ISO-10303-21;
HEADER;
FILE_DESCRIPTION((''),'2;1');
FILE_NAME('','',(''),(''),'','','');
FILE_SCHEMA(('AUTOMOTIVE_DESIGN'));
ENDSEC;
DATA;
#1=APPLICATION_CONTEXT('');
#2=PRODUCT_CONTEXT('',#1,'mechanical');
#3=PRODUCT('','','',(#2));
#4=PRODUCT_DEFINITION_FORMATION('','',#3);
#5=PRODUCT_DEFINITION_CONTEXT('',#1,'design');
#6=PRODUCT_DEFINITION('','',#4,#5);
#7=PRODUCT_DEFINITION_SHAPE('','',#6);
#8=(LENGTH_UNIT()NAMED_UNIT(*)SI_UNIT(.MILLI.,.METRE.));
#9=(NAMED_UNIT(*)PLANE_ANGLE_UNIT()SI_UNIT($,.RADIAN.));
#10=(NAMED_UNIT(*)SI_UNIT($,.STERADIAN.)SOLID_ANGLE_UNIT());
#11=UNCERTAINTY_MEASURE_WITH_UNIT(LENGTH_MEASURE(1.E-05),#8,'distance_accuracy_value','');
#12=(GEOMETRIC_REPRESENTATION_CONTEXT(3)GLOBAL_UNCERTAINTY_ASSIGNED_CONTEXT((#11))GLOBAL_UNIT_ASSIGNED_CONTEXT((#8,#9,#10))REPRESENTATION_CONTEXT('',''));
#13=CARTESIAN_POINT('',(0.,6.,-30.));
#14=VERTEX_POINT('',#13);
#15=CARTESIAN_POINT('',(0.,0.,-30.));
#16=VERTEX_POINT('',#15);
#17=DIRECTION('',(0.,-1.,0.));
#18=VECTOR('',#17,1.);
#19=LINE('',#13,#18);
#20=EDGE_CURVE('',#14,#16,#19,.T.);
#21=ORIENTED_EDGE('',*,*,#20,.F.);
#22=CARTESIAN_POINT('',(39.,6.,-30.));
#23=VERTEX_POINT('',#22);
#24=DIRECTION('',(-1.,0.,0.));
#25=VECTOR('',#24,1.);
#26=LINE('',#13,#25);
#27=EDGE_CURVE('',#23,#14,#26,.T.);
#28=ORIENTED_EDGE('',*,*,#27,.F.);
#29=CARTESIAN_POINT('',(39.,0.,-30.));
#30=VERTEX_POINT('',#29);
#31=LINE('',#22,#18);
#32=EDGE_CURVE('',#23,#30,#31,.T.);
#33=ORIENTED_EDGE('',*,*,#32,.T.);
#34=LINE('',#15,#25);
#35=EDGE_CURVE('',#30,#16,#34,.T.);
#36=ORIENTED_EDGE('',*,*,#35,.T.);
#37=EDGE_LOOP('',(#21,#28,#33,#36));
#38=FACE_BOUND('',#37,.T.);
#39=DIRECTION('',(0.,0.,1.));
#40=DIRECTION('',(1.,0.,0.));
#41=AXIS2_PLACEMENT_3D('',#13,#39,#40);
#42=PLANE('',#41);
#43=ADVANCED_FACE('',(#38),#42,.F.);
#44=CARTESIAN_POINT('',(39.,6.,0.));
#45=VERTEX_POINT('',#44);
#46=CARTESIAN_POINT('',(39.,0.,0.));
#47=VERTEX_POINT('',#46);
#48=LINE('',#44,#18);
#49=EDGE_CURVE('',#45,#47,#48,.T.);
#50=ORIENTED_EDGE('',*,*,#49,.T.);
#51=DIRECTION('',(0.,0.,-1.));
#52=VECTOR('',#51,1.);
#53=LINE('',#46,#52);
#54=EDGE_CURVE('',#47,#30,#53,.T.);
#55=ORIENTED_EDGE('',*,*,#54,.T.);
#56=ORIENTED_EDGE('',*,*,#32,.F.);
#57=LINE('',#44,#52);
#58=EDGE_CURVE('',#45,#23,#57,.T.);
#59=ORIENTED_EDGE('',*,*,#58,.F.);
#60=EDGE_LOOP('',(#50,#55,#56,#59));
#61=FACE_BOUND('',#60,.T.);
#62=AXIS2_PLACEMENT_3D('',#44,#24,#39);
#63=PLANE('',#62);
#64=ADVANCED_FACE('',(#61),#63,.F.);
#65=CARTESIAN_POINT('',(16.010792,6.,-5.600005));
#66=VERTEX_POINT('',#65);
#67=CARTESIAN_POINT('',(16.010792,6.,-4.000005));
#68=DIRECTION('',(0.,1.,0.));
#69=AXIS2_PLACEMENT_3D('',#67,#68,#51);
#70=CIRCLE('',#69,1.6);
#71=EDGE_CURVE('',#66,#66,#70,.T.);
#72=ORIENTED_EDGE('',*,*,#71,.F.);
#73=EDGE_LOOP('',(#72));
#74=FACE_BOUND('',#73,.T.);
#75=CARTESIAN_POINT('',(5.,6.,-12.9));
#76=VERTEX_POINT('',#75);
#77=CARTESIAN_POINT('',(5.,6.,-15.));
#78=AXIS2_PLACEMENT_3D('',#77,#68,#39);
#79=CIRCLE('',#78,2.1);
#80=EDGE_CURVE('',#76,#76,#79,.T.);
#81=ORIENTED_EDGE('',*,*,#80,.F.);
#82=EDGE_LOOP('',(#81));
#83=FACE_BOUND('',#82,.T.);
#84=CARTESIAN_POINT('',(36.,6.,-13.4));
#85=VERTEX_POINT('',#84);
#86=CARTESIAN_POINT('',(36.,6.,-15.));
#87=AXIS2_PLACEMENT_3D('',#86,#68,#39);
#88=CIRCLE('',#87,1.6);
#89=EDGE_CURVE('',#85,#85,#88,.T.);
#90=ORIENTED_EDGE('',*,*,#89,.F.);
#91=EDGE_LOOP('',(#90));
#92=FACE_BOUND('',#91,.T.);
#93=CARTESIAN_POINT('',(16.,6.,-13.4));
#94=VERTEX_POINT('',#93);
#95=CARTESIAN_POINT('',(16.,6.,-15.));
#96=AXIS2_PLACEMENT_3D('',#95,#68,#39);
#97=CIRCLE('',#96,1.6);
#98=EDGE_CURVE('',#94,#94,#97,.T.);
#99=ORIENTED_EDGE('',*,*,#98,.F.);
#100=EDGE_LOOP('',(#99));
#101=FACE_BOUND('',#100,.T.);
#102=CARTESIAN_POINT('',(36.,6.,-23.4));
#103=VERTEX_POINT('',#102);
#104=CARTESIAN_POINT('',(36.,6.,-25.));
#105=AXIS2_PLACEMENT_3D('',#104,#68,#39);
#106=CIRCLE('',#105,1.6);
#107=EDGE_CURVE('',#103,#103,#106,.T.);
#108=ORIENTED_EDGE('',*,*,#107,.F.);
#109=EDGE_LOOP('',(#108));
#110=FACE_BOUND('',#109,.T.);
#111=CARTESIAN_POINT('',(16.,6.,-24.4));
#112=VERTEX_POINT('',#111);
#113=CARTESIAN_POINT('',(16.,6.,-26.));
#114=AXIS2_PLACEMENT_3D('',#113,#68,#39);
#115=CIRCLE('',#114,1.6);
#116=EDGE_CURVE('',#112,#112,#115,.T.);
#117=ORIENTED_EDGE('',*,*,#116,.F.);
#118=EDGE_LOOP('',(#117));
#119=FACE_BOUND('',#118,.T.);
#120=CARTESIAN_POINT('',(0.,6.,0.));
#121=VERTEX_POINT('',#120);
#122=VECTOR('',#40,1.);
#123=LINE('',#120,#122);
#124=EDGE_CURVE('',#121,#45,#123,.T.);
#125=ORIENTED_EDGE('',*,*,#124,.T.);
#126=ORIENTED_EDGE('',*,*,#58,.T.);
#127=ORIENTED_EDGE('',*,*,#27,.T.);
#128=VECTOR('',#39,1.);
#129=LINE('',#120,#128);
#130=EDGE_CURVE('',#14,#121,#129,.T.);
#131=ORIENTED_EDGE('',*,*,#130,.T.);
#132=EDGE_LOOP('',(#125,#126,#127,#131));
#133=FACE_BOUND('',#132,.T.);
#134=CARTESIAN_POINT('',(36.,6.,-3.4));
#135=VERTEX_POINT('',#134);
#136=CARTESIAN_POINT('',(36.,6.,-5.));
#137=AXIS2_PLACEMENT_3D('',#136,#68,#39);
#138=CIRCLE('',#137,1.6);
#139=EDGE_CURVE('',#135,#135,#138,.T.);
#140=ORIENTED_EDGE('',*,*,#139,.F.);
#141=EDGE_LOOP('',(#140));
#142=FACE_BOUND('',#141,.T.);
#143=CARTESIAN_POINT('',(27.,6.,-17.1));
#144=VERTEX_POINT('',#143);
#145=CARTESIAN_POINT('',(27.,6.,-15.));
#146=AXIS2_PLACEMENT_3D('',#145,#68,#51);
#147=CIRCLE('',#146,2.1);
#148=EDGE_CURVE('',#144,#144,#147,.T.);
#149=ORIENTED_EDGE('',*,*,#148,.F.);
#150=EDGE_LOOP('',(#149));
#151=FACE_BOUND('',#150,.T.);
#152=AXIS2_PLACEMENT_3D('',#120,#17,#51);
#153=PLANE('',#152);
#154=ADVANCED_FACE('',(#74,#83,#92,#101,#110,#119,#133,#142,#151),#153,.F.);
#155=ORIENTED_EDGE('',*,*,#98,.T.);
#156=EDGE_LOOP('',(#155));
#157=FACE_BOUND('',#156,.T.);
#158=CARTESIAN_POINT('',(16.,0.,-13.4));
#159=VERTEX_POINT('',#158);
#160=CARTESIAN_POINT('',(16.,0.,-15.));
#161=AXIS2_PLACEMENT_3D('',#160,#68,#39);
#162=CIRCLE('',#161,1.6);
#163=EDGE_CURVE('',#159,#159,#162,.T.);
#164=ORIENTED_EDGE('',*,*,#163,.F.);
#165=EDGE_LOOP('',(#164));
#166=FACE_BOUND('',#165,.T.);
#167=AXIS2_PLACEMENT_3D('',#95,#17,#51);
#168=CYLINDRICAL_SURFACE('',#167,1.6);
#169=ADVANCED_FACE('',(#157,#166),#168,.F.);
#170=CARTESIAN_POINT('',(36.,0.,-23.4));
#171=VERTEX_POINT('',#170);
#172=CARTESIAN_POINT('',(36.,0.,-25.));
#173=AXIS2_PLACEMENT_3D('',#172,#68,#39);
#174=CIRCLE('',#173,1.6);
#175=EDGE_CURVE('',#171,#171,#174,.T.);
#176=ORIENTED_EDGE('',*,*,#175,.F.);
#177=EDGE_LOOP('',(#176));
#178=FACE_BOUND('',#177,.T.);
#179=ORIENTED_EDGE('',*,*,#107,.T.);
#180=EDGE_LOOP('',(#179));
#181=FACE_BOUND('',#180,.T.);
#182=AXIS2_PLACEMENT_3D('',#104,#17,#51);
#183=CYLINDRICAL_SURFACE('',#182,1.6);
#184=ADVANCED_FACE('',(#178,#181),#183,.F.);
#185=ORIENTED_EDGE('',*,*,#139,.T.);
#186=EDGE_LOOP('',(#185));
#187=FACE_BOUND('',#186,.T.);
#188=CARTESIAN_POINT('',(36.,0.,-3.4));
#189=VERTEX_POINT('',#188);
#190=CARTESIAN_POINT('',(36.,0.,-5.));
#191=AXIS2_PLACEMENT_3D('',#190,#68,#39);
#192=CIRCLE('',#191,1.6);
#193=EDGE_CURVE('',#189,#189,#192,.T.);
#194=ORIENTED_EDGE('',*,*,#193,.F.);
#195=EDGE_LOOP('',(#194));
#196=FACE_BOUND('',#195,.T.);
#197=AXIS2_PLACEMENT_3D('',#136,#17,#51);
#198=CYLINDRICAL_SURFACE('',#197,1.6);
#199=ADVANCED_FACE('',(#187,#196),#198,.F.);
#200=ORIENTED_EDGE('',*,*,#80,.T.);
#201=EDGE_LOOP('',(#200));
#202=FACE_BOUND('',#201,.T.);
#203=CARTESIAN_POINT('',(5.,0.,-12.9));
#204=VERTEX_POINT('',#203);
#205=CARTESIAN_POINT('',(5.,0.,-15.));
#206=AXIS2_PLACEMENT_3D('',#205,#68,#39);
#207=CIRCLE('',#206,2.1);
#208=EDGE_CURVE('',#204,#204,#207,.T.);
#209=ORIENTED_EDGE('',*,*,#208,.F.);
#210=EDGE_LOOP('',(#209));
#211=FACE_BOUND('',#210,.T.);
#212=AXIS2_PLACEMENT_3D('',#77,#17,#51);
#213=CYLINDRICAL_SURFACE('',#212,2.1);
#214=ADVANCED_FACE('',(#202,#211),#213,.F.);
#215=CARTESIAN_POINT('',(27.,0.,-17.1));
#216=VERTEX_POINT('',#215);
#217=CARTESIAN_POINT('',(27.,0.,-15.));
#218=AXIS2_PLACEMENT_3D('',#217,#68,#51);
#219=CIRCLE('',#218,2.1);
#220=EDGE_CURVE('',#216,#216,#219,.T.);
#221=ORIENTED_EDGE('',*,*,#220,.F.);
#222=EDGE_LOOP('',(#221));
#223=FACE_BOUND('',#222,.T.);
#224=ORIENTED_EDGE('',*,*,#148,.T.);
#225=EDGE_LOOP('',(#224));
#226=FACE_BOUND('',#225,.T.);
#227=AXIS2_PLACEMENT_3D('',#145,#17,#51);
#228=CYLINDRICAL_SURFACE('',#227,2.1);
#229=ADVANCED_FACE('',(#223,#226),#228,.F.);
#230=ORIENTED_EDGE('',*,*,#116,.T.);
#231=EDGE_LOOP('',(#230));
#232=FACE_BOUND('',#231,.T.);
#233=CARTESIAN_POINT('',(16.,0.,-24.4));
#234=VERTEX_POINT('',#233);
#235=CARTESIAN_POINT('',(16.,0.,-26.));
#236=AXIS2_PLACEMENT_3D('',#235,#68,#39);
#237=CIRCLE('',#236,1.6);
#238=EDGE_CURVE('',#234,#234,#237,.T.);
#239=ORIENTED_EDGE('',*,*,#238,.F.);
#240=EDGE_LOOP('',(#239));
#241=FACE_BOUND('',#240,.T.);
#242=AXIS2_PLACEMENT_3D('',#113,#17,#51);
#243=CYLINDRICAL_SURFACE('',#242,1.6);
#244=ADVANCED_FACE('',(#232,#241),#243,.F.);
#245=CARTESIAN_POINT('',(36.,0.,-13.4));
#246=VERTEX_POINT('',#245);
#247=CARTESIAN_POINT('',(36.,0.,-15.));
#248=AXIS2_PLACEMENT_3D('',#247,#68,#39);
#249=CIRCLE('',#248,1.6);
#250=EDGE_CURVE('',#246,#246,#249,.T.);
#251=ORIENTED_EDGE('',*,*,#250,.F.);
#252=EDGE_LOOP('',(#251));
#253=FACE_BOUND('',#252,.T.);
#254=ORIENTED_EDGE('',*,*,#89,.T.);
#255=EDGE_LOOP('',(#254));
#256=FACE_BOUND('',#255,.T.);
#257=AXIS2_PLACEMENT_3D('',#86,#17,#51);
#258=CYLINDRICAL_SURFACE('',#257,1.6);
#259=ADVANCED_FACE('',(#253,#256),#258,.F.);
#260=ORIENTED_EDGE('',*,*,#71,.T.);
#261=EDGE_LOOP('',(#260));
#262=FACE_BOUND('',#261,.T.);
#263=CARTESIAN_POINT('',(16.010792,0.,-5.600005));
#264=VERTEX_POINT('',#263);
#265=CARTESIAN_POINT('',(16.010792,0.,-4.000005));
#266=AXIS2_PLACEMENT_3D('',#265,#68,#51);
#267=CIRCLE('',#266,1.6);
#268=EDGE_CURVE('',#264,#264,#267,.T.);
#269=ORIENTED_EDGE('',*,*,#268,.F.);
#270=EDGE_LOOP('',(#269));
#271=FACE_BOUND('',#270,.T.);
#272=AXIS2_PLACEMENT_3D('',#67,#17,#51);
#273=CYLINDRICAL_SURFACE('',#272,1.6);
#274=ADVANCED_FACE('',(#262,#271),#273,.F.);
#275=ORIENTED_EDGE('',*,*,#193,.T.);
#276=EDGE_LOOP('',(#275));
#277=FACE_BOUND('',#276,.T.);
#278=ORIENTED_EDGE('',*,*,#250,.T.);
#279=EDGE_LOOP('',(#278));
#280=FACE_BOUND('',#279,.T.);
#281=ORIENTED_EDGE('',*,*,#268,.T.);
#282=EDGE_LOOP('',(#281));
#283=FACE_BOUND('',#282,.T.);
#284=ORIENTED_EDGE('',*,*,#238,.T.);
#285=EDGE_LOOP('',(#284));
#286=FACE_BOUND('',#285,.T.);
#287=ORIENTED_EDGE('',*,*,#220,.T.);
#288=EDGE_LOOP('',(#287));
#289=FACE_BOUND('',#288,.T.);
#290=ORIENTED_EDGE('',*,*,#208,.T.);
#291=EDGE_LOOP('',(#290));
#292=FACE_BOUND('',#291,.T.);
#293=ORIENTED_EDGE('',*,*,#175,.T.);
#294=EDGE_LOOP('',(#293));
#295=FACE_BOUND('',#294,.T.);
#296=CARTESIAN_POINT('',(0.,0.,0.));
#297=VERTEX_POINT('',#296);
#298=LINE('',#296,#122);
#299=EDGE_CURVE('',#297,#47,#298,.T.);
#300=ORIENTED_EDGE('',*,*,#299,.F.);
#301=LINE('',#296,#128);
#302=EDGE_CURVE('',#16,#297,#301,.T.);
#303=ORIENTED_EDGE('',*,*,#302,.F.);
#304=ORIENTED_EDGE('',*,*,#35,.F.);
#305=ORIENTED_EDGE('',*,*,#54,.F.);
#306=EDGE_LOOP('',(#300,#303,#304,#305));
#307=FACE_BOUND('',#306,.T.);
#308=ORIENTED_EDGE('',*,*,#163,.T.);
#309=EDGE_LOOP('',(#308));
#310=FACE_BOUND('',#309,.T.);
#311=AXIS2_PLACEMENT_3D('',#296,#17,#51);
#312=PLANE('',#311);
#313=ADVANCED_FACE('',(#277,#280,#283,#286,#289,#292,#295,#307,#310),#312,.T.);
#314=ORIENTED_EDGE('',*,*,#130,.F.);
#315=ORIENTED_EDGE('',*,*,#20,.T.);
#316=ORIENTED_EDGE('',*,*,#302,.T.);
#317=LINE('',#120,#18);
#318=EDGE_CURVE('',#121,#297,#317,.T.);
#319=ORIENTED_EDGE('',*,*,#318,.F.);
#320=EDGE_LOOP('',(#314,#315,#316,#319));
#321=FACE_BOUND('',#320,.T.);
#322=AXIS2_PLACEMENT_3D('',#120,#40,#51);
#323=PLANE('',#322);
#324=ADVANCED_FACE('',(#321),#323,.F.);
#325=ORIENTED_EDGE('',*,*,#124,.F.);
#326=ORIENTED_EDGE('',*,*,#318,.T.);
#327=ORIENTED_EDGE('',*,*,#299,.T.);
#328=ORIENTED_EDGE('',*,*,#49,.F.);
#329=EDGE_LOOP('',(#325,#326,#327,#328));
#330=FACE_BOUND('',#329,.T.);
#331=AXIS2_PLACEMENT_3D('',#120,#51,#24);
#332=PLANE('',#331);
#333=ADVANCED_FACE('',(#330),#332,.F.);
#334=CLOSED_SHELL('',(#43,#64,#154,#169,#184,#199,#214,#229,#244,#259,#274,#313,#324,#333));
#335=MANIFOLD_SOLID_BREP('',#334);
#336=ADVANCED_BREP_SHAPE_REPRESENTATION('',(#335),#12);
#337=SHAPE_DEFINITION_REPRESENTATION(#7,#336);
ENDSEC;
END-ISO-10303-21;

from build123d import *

# Parameters (mm, degrees)
SKETCH_1_W      = 39
SKETCH_1_H      = 30
SKETCH_1_R      = 1.6
SKETCH_1_R_2    = 2.1
EXTRUDE_1_DEPTH = 6


with BuildPart() as part:
    # 草图1 → 凸台-拉伸1 (new body)
    with BuildSketch(Plane(origin=(0, 0, 0), x_dir=(1, 0, 0), z_dir=(0, 1, 0))):
        with Locations((19.5, 15)):
            Rectangle(SKETCH_1_W, SKETCH_1_H)
        with Locations(Location((16, 15, 0), (0, 0, 270))):
            Circle(SKETCH_1_R, mode=Mode.SUBTRACT)
        with Locations(Location((16, 26, 0), (0, 0, 270))):
            Circle(SKETCH_1_R, mode=Mode.SUBTRACT)
        with Locations(Location((5, 15, 0), (0, 0, 270))):
            Circle(SKETCH_1_R_2, mode=Mode.SUBTRACT)
        with Locations(Location((16.01079227, 4.000005294, 0), (0, 0, 90))):
            Circle(SKETCH_1_R, mode=Mode.SUBTRACT)
        with Locations(Location((27, 15, 0), (0, 0, 90))):
            Circle(SKETCH_1_R_2, mode=Mode.SUBTRACT)
        with Locations(Location((36, 25, 0), (0, 0, 270))):
            Circle(SKETCH_1_R, mode=Mode.SUBTRACT)
        with Locations(Location((36, 15, 0), (0, 0, 270))):
            Circle(SKETCH_1_R, mode=Mode.SUBTRACT)
        with Locations(Location((36, 5, 0), (0, 0, 270))):
            Circle(SKETCH_1_R, mode=Mode.SUBTRACT)
    extrude(amount=EXTRUDE_1_DEPTH)


solid = part.part
